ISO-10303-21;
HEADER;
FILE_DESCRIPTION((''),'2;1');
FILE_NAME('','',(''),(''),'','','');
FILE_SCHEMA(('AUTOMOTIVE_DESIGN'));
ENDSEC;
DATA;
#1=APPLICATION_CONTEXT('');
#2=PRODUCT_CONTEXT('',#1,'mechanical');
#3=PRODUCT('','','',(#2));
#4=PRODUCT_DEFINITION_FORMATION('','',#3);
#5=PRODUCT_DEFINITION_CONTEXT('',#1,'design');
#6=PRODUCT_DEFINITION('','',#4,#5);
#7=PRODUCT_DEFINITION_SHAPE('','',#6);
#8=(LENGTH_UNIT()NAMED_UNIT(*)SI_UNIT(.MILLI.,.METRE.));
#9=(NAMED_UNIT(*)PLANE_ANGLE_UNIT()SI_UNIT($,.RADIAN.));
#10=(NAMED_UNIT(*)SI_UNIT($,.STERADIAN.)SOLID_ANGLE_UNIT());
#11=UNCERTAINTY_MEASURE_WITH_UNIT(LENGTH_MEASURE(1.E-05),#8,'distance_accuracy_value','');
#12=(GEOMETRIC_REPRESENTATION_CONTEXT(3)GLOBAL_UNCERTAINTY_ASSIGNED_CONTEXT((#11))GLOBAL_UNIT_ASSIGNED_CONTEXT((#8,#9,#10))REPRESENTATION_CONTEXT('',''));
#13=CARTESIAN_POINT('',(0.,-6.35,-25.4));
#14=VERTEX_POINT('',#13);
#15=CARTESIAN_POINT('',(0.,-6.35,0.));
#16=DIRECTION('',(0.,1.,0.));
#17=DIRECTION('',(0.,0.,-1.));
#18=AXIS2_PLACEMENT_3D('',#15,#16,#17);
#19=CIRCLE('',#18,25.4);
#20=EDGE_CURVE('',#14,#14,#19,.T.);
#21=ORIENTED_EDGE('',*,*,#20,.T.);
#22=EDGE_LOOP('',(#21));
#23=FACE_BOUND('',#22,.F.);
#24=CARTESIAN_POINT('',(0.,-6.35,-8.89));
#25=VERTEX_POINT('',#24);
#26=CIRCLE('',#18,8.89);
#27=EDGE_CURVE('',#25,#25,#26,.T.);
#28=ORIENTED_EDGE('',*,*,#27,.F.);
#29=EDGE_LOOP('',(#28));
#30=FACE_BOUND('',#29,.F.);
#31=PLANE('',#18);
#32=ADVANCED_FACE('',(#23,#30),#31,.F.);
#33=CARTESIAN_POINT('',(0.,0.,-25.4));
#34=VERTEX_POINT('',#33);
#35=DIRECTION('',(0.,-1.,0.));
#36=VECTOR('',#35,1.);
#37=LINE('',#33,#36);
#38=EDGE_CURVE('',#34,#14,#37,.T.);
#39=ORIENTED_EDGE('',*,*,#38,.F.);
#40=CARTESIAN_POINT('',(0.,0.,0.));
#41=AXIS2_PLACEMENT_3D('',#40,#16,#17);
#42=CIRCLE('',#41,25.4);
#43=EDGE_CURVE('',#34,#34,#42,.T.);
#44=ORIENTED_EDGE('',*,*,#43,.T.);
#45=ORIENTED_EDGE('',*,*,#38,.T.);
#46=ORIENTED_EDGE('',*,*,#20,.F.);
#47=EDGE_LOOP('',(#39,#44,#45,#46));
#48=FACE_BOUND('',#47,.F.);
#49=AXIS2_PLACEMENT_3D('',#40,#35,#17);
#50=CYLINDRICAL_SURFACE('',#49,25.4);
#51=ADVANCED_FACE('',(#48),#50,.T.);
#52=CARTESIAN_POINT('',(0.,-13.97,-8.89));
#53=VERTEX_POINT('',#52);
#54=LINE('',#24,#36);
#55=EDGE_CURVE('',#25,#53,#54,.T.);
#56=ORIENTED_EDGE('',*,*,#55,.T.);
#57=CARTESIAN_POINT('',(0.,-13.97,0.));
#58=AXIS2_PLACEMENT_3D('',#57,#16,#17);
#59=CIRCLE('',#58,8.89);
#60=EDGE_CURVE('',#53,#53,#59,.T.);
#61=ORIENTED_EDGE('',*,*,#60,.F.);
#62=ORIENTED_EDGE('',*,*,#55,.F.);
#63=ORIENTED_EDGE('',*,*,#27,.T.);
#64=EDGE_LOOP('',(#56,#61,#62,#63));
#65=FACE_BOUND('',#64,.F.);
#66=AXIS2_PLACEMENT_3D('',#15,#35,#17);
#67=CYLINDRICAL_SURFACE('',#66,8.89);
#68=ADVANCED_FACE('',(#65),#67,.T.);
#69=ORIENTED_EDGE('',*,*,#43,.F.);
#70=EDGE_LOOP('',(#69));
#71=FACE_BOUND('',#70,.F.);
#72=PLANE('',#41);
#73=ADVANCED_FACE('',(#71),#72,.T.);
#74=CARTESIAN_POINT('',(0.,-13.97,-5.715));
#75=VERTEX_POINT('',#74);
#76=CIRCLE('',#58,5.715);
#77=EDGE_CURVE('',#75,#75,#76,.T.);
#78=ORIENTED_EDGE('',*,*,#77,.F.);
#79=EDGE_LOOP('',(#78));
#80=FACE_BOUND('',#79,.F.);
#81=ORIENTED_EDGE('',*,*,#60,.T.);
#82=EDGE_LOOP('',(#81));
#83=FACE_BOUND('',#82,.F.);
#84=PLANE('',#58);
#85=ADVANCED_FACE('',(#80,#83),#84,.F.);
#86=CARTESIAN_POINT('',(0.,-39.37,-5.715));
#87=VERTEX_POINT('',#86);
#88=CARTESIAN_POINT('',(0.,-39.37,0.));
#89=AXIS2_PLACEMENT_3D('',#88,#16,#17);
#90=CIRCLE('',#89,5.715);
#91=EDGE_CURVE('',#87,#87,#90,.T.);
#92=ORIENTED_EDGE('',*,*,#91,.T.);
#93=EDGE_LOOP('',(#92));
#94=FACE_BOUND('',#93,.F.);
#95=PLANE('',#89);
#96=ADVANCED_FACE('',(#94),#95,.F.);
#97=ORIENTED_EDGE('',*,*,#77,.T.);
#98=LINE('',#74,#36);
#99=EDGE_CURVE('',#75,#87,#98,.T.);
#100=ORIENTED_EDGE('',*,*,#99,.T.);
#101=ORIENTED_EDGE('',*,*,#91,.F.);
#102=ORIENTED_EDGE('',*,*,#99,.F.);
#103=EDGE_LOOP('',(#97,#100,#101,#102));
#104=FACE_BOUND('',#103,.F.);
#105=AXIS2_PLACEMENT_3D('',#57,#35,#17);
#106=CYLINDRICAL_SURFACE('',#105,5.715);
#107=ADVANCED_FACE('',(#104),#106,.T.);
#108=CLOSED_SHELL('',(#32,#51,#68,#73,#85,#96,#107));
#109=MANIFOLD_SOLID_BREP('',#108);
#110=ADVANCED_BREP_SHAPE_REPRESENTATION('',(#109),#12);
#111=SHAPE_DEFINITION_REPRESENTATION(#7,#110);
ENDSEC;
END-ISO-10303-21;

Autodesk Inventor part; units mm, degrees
ref_plane "YZ Plane" through (0, 0, 0) normal (1, 0, 0) x (0, 1, 0)
ref_plane "XZ Plane" through (0, 0, 0) normal (0, 1, 0) x (-1, 0, 0)
ref_plane "XY Plane" through (0, 0, 0) normal (0, 0, 1) x (1, 0, 0)
sketch "Sketch1" plane through (0, 0, 0) normal (1, 0, 0) x (0, 1, 0)
  line L0 (0, 0) -> (0, -25.4)
  line L1 (0, -25.4) -> (-6.35, -25.4)
  line L2 (-6.35, -25.4) -> (-6.35, -8.89)
  line L3 (-13.97, -5.715) -> (-39.37, -5.715)
  line L4 (-39.37, -5.715) -> (-39.37, 0)
  line L5 (-39.37, 0) -> (0, 0)
  line L6 (-6.35, -8.89) -> (-13.97, -8.89)
  line L7 (-13.97, -8.89) -> (-13.97, -5.715)
  dimension "d0" = 6.35
  dimension "d2" = 7.62
  dimension "d3" = 25.4
  dimension "d4" = 25.4
  dimension "d5" = 5.715
  dimension "d6" = 8.89
revolve "Revolution1" add sketch "Sketch1" angle 360 about axis through (0, -39.37, 0) along (0, 1, 0)
properties part number "Fixture_Knob_2"
